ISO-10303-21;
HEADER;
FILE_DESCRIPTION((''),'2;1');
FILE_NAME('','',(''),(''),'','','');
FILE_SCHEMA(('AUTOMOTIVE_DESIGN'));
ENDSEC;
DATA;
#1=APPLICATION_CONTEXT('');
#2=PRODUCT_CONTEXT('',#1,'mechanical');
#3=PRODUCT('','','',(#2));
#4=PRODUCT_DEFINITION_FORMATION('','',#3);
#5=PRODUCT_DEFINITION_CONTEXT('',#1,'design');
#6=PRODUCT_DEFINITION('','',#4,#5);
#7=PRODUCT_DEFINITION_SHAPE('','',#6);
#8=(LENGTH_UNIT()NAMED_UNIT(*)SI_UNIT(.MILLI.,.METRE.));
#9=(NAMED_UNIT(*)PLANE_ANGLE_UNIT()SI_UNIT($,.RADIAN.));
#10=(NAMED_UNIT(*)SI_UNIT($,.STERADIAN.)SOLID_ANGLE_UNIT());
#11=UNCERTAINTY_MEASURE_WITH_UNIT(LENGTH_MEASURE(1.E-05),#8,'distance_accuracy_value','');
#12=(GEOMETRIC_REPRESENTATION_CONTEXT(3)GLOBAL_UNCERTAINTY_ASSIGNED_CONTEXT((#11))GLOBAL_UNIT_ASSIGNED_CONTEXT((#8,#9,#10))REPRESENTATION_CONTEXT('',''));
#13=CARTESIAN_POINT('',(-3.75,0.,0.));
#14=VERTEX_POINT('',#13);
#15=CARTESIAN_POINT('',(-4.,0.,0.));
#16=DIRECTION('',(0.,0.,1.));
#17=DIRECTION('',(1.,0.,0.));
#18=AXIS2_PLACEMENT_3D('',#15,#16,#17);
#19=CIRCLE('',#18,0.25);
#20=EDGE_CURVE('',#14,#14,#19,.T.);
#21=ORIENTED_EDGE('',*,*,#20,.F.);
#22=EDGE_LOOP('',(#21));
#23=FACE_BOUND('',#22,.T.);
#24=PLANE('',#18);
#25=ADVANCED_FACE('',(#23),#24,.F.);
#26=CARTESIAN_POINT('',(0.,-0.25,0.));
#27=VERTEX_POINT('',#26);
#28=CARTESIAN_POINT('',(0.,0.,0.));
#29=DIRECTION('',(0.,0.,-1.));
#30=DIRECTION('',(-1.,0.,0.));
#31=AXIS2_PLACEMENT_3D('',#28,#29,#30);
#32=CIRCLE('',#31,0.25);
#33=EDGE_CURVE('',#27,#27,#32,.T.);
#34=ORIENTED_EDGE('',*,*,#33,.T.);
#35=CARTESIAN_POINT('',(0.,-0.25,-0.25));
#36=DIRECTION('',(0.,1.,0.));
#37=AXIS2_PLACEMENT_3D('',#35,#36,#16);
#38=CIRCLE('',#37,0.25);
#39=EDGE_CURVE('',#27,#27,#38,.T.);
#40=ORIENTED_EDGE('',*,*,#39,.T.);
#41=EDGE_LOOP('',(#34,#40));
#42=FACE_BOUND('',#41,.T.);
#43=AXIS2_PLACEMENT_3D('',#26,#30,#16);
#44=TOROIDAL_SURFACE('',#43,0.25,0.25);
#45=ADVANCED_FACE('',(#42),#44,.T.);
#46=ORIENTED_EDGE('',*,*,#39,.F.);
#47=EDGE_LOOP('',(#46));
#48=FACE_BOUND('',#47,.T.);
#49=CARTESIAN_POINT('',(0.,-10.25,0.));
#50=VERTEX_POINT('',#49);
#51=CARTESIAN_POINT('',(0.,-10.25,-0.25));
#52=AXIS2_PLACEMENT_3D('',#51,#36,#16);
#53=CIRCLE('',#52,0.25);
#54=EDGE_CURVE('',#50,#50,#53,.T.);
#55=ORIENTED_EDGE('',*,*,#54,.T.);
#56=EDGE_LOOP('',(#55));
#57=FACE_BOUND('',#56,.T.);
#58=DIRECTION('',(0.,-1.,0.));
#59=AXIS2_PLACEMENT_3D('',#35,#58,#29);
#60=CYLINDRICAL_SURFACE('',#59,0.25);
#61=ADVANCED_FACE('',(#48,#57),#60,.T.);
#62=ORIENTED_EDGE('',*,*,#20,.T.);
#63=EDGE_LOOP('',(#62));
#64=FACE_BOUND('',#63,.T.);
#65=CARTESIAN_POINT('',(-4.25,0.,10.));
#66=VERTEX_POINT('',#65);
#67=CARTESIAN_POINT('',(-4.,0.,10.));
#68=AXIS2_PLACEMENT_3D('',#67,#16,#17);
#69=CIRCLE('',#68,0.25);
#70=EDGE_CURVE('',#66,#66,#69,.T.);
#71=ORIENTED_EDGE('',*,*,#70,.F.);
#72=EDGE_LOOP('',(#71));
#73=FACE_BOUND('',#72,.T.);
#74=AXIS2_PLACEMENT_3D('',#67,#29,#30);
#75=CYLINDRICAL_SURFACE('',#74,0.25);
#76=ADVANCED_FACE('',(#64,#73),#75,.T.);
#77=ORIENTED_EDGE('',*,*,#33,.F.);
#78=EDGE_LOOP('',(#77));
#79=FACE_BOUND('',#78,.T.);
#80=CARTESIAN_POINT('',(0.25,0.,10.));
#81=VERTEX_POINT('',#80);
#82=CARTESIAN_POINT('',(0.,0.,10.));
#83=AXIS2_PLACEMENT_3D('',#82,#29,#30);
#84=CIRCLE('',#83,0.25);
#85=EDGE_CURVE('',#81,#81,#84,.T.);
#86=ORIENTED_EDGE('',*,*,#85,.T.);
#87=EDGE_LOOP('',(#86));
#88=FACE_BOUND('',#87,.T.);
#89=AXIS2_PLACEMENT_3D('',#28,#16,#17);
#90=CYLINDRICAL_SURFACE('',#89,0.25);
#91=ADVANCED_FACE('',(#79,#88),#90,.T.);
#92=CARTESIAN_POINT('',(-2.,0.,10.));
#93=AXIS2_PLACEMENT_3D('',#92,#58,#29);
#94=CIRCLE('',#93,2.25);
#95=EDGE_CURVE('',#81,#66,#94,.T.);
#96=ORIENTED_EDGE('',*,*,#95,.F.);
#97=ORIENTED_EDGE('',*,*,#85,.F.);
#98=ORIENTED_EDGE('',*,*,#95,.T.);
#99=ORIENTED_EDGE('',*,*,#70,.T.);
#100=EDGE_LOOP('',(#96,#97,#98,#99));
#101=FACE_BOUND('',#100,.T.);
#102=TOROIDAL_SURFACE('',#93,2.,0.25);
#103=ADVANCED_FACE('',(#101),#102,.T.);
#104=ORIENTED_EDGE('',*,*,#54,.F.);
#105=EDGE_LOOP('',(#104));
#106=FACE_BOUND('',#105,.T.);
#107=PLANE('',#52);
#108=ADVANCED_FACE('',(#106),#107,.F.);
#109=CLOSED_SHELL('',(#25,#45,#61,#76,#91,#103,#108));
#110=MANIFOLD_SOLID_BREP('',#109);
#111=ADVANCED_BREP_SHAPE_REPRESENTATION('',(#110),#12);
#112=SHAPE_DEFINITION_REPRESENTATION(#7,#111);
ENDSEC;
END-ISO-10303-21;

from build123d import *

# Parameters (mm, degrees)
VARREDURA1_PROFILE_R = 0.25
VARREDURA2_PROFILE_R = 0.25


with BuildPart() as part:
    # Varredura1: sweep along a path in Esboço1
    with BuildLine(Plane(origin=(0, 0, 0), x_dir=(1, 0, 0), z_dir=(0, 1, 0))) as varredura1_path:
        Line((0, 0), (0, -10))
        ThreePointArc((0, -10), (-2, -12), (-4, -10))
        Line((-4, -10), (-4, 0))
    # Varredura1 profile (on start of the path) → Varredura1 (sweep)
    with BuildSketch(Plane.XY):
        Circle(VARREDURA1_PROFILE_R)
    sweep(path=varredura1_path.line)

    # Varredura2: sweep along a path in Esboço2
    with BuildLine(Plane(origin=(0, 0, 0), x_dir=(0, 0, -1), z_dir=(1, 0, 0))) as varredura2_path:
        Line((0.25, -10.25), (0.25, -0.25))
        ThreePointArc((0.25, -0.25), (0.176776695, -0.073223305), (0, 0))
    # Varredura2 profile (on start of the path) → Varredura2 (sweep)
    with BuildSketch(Plane(origin=(0, -10.25, -0.25), x_dir=(0, 0, 1), z_dir=(0, 1, 0))):
        Circle(VARREDURA2_PROFILE_R)
    sweep(path=varredura2_path.line)


solid = part.part
